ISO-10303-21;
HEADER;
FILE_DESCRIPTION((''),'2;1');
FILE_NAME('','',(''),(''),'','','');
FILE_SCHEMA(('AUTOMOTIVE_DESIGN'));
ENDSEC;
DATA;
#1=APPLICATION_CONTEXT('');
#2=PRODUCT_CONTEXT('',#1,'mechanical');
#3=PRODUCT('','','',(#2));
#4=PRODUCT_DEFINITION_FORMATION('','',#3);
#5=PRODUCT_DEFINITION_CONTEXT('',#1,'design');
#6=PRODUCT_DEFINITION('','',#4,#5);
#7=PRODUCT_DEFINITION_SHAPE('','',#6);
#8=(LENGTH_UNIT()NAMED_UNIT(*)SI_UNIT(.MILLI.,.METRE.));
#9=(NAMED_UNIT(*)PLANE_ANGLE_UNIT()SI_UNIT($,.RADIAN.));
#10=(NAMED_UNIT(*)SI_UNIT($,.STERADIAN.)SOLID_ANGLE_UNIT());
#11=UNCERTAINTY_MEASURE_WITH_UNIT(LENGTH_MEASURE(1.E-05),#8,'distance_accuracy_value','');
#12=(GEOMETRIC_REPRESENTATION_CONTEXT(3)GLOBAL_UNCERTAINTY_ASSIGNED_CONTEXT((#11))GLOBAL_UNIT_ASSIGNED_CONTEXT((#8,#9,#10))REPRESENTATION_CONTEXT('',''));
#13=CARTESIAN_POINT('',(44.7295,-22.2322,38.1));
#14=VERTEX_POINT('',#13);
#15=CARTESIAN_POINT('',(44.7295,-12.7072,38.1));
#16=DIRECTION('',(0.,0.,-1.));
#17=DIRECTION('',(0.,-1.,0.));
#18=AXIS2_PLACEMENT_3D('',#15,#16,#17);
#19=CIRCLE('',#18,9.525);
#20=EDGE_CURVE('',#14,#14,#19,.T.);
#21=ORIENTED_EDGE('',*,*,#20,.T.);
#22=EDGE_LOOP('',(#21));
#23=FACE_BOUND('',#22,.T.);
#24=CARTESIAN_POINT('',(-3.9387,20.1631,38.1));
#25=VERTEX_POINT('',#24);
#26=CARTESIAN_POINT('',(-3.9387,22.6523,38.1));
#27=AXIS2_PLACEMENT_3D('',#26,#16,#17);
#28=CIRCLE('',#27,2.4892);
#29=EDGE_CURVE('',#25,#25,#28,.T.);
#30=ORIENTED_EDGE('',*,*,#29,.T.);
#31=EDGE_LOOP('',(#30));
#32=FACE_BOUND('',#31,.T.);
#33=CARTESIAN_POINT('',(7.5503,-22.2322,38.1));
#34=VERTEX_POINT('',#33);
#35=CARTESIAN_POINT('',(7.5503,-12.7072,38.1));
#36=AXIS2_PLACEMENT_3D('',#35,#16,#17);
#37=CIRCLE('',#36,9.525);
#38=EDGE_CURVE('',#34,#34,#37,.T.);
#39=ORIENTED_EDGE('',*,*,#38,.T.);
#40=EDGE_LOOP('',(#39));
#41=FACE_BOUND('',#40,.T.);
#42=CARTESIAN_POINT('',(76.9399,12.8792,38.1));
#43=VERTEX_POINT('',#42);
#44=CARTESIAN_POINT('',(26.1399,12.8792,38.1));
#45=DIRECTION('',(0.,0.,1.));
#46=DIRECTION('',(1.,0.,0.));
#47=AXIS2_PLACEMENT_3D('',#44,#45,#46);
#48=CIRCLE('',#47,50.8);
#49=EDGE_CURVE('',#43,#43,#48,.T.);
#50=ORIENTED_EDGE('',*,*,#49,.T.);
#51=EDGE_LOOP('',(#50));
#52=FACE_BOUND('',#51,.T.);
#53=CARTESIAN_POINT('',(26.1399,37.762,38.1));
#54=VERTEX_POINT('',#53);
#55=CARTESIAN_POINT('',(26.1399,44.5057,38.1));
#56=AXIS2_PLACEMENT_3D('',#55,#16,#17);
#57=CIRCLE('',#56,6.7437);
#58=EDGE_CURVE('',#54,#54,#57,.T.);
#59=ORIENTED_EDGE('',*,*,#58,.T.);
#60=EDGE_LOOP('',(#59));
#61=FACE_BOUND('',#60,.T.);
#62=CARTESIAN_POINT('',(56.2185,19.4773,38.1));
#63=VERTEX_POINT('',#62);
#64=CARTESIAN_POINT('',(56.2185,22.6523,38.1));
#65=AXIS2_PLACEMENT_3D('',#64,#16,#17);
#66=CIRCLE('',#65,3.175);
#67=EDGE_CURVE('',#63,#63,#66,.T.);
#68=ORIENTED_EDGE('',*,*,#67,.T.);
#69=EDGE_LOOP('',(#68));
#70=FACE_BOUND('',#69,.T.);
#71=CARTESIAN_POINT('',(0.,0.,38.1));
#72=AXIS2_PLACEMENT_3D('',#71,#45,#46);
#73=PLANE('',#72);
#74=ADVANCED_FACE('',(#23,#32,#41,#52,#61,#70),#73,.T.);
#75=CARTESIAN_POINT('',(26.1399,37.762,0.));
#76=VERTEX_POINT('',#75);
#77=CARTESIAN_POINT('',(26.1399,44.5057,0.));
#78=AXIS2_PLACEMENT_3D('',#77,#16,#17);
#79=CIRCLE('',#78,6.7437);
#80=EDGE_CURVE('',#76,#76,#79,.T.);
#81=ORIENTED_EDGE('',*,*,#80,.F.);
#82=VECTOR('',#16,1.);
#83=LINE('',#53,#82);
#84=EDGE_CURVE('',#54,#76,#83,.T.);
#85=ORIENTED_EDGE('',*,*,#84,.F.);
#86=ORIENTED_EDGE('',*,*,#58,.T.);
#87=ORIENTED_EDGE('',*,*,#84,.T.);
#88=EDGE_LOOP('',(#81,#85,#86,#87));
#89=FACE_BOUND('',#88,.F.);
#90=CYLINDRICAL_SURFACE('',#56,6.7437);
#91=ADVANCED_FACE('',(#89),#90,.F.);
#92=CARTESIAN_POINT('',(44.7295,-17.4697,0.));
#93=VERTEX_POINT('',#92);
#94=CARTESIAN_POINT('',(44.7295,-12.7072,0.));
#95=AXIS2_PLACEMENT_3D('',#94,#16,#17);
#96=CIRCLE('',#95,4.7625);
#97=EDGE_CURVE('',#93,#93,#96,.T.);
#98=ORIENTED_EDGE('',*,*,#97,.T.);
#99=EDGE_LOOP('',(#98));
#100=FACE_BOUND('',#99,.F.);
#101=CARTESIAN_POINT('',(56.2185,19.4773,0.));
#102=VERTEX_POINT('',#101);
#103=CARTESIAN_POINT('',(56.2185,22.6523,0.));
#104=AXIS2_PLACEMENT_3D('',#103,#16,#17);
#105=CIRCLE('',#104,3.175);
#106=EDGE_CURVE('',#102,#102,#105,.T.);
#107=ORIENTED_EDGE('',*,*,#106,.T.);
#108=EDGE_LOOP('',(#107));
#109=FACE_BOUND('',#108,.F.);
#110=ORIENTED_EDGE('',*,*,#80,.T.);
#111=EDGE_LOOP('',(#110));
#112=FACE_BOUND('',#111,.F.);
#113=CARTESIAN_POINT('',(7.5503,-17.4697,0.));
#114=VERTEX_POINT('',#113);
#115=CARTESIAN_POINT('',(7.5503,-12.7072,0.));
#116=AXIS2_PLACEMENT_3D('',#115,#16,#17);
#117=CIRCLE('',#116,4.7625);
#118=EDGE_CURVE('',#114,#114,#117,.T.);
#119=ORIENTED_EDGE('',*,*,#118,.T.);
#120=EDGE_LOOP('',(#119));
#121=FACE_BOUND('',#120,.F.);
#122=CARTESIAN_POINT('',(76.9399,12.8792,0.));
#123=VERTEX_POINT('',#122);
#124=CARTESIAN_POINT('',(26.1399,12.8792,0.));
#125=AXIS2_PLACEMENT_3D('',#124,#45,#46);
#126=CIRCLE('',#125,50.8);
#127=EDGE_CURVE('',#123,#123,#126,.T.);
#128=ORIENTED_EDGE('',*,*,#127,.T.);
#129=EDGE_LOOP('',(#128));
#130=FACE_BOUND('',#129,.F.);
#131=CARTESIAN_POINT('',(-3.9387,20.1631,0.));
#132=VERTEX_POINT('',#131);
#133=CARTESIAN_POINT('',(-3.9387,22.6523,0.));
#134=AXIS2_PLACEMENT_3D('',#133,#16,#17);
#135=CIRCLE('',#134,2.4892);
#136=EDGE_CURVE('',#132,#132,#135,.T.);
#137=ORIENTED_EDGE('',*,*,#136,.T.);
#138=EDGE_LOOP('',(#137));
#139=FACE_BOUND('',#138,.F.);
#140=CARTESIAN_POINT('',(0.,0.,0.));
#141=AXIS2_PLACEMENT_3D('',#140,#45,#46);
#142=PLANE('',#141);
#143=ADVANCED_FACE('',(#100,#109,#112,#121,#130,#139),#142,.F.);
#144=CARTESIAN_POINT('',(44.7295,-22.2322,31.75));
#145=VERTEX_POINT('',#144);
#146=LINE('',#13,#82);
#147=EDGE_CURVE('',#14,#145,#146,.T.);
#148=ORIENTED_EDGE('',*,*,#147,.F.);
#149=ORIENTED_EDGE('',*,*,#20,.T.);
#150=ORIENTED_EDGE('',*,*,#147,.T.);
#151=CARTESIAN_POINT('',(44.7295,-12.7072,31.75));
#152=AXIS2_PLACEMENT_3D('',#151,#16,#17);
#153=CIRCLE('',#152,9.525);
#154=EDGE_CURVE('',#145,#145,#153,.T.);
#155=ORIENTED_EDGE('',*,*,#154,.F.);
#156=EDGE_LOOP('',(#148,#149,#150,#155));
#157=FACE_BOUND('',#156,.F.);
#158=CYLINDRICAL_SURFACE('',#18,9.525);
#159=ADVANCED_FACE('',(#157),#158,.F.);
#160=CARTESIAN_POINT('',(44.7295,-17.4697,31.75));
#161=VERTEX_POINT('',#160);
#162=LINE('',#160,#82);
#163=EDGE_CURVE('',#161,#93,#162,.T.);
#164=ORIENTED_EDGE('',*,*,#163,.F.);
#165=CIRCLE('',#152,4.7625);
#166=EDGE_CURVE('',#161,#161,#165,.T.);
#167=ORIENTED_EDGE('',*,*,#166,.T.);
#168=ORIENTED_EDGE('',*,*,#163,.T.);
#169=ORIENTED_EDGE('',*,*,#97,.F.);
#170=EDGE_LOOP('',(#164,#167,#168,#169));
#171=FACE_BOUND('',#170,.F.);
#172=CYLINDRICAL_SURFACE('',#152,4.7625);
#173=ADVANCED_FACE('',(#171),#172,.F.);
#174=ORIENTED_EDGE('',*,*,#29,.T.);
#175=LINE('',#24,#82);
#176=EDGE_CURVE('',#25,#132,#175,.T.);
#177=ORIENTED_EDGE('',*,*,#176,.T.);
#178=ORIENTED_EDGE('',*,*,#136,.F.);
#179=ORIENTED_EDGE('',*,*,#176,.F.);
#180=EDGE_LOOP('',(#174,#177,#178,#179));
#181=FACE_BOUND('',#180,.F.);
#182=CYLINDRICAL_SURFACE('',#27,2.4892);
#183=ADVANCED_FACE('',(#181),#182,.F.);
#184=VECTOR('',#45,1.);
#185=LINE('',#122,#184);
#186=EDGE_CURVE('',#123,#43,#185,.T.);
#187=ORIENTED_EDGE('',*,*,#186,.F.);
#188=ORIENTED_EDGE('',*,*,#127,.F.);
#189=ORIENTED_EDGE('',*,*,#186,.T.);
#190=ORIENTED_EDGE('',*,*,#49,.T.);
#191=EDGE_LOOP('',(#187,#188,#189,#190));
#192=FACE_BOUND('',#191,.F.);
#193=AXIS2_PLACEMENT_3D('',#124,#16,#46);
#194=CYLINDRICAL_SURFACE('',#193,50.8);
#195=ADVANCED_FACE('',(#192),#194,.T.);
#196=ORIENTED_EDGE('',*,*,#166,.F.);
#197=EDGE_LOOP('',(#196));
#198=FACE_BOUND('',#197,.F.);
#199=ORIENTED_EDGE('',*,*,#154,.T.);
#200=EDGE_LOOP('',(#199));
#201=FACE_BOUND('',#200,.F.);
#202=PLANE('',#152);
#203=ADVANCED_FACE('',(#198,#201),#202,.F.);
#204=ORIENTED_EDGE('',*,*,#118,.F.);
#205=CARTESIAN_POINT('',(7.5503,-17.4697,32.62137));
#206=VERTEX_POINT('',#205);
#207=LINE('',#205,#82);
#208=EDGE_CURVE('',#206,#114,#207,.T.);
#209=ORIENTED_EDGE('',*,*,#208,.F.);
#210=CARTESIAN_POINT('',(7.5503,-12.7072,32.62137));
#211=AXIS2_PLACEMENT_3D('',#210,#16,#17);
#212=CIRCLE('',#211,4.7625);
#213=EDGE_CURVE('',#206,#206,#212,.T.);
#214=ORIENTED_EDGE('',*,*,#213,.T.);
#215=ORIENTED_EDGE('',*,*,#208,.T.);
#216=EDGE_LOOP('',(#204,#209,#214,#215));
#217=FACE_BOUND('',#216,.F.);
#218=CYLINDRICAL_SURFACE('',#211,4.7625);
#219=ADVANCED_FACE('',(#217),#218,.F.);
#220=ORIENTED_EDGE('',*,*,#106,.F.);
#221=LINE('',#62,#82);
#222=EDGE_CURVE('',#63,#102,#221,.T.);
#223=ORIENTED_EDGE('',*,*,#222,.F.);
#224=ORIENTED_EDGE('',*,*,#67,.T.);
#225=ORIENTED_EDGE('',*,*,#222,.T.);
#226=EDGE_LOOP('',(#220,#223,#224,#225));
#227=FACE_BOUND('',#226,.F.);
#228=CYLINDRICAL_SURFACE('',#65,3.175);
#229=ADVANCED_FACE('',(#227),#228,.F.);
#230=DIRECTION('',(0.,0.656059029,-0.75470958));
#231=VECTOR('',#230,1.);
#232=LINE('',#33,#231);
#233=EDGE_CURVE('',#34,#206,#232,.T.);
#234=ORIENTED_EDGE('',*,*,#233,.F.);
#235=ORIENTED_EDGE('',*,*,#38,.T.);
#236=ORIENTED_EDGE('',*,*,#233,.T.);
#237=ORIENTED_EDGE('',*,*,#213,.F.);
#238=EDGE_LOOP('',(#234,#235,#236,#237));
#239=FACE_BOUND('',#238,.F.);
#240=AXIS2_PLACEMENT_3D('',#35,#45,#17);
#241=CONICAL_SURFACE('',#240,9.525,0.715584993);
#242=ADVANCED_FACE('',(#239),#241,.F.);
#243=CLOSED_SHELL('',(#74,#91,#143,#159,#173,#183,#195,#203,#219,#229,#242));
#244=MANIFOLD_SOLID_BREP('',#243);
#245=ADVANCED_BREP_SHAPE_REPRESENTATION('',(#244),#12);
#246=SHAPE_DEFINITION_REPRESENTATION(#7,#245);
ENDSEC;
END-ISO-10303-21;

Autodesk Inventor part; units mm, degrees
ref_plane "YZ Plane" through (0, 0, 0) normal (1, 0, 0) x (0, 1, 0)
ref_plane "XZ Plane" through (0, 0, 0) normal (0, 1, 0) x (-1, 0, 0)
ref_plane "XY Plane" through (0, 0, 0) normal (0, 0, 1) x (1, 0, 0)
sketch "Sketch1" plane through (0, 0, 0) normal (0, 0, 1) x (1, 0, 0)
  circle A0 centre (26.1399, 12.8792) radius 50.8
  point P0 (0, 0)
  dimension "d0" = 101.6
extrude "Extrusion1" add sketch "Sketch1" along normal blind 38.1
sketch "Sketch2" plane through (26.1399, 12.8792, 38.1) normal (0, 0, 1) x (1, 0, 0)
  point P0 (-26.1399, -12.8792)
sketch "Sketch3" plane through (26.1399, 12.8792, 38.1) normal (0, 0, 1) x (1, 0, 0)
  point P0 (-26.1399, -12.8792)
sketch "Sketch4" plane through (26.1399, 12.8792, 38.1) normal (0, 0, 1) x (1, 0, 0)
  circle A0 centre (0, 0) radius 31.6265 construction
  point P0 (-26.1399, -12.8792)
  point P1 (0, 31.6265)
  point P2 (-30.0786, 9.7731)
  point P3 (-18.5896, -25.5864)
  point P4 (18.5896, -25.5864)
  point P5 (30.0786, 9.7731)
  dimension "d5" = 360
hole "Hole1" at (56.2185, 22.6523, 38.1) direction (0, 0, -1) diameter 6.35 end through all
hole "Hole2" at (44.7295, -12.7072, 38.1) direction (0, 0, -1) diameter 9.525 end through all counterbore diameter 19.05 counterbore depth 6.35
hole "Hole3" at (7.5503, -12.7072, 38.1) direction (0, 0, -1) diameter 9.525 end through all countersink diameter 19.05 countersink angle 82
hole "Hole4" at (-3.9387, 22.6523, 38.1) direction (0, 0, -1) diameter 4.9784 end through all thread size "1/4-20 UNC" class "1B" standard "ANSI Unified Screw Threads"
hole "Hole5" at (26.1399, 44.5057, 38.1) direction (0, 0, -1) diameter 13.4874 end through all clearance for "Hex Head Bolt" size "1/2" standard "Ansi Unified Screw Threads"
properties part number "PartTL"
